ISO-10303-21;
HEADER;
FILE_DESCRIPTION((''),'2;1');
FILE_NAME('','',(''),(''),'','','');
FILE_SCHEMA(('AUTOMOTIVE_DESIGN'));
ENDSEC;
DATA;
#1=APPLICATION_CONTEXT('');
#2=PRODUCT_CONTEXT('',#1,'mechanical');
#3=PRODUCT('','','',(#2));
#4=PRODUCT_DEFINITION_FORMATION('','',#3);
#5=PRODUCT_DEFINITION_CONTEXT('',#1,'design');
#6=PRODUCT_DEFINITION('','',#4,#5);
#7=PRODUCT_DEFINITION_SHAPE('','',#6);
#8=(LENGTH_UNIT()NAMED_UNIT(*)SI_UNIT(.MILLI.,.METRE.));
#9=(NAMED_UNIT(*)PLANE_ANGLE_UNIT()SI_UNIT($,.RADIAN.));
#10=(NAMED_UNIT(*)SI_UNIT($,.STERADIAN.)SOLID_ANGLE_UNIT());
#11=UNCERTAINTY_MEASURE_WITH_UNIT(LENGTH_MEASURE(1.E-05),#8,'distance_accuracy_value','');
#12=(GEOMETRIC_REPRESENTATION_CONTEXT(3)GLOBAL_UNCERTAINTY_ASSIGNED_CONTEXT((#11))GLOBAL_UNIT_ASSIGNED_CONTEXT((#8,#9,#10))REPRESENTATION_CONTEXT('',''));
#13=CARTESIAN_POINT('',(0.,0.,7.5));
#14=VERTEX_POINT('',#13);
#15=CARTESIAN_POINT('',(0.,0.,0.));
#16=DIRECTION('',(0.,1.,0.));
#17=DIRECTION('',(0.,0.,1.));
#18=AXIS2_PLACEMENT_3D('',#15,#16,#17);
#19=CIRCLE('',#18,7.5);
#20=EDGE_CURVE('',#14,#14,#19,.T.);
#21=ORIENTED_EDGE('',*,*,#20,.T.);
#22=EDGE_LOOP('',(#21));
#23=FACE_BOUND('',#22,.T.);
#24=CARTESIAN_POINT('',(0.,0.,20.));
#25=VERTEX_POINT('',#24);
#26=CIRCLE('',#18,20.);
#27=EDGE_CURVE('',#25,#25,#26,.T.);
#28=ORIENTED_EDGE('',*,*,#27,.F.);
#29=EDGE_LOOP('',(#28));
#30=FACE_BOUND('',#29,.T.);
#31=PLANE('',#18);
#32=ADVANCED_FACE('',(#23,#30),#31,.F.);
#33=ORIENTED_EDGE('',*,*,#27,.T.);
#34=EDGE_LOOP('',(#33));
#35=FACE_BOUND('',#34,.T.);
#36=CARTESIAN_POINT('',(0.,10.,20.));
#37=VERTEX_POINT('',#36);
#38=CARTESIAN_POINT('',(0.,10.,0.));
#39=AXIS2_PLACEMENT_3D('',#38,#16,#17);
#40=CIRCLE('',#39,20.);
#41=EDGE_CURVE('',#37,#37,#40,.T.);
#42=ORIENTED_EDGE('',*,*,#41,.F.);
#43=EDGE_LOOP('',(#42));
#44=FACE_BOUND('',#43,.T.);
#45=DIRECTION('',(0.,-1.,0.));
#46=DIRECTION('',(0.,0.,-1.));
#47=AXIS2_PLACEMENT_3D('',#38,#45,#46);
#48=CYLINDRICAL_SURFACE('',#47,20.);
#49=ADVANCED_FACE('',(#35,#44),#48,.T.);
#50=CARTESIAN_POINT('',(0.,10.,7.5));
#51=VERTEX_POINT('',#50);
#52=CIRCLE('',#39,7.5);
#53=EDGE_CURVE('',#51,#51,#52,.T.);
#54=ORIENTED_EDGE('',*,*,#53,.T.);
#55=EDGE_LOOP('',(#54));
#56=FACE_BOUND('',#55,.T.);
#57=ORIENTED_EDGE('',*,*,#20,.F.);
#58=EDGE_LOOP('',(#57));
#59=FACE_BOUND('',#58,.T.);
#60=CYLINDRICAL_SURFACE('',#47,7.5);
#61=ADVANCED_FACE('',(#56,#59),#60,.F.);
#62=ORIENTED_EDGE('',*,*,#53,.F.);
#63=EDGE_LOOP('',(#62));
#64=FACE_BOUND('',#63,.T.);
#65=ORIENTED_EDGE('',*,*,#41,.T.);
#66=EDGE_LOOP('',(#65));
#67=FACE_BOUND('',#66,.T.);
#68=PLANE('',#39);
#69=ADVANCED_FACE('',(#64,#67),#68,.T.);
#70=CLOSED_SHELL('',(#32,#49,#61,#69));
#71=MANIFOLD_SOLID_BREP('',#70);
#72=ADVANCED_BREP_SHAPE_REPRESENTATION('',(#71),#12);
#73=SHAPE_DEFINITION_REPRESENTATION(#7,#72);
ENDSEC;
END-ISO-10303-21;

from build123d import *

# Parameters (mm, degrees)
SKETCH_1_R      = 20
SKETCH_1_R_2    = 7.5
EXTRUDE_1_DEPTH = 10


with BuildPart() as part:
    # 草图1 → 凸台-拉伸1 (new body)
    with BuildSketch(Plane(origin=(0, 0, 0), x_dir=(1, 0, 0), z_dir=(0, 1, 0))):
        Circle(SKETCH_1_R)
        Circle(SKETCH_1_R_2, mode=Mode.SUBTRACT)
    extrude(amount=EXTRUDE_1_DEPTH)


solid = part.part
